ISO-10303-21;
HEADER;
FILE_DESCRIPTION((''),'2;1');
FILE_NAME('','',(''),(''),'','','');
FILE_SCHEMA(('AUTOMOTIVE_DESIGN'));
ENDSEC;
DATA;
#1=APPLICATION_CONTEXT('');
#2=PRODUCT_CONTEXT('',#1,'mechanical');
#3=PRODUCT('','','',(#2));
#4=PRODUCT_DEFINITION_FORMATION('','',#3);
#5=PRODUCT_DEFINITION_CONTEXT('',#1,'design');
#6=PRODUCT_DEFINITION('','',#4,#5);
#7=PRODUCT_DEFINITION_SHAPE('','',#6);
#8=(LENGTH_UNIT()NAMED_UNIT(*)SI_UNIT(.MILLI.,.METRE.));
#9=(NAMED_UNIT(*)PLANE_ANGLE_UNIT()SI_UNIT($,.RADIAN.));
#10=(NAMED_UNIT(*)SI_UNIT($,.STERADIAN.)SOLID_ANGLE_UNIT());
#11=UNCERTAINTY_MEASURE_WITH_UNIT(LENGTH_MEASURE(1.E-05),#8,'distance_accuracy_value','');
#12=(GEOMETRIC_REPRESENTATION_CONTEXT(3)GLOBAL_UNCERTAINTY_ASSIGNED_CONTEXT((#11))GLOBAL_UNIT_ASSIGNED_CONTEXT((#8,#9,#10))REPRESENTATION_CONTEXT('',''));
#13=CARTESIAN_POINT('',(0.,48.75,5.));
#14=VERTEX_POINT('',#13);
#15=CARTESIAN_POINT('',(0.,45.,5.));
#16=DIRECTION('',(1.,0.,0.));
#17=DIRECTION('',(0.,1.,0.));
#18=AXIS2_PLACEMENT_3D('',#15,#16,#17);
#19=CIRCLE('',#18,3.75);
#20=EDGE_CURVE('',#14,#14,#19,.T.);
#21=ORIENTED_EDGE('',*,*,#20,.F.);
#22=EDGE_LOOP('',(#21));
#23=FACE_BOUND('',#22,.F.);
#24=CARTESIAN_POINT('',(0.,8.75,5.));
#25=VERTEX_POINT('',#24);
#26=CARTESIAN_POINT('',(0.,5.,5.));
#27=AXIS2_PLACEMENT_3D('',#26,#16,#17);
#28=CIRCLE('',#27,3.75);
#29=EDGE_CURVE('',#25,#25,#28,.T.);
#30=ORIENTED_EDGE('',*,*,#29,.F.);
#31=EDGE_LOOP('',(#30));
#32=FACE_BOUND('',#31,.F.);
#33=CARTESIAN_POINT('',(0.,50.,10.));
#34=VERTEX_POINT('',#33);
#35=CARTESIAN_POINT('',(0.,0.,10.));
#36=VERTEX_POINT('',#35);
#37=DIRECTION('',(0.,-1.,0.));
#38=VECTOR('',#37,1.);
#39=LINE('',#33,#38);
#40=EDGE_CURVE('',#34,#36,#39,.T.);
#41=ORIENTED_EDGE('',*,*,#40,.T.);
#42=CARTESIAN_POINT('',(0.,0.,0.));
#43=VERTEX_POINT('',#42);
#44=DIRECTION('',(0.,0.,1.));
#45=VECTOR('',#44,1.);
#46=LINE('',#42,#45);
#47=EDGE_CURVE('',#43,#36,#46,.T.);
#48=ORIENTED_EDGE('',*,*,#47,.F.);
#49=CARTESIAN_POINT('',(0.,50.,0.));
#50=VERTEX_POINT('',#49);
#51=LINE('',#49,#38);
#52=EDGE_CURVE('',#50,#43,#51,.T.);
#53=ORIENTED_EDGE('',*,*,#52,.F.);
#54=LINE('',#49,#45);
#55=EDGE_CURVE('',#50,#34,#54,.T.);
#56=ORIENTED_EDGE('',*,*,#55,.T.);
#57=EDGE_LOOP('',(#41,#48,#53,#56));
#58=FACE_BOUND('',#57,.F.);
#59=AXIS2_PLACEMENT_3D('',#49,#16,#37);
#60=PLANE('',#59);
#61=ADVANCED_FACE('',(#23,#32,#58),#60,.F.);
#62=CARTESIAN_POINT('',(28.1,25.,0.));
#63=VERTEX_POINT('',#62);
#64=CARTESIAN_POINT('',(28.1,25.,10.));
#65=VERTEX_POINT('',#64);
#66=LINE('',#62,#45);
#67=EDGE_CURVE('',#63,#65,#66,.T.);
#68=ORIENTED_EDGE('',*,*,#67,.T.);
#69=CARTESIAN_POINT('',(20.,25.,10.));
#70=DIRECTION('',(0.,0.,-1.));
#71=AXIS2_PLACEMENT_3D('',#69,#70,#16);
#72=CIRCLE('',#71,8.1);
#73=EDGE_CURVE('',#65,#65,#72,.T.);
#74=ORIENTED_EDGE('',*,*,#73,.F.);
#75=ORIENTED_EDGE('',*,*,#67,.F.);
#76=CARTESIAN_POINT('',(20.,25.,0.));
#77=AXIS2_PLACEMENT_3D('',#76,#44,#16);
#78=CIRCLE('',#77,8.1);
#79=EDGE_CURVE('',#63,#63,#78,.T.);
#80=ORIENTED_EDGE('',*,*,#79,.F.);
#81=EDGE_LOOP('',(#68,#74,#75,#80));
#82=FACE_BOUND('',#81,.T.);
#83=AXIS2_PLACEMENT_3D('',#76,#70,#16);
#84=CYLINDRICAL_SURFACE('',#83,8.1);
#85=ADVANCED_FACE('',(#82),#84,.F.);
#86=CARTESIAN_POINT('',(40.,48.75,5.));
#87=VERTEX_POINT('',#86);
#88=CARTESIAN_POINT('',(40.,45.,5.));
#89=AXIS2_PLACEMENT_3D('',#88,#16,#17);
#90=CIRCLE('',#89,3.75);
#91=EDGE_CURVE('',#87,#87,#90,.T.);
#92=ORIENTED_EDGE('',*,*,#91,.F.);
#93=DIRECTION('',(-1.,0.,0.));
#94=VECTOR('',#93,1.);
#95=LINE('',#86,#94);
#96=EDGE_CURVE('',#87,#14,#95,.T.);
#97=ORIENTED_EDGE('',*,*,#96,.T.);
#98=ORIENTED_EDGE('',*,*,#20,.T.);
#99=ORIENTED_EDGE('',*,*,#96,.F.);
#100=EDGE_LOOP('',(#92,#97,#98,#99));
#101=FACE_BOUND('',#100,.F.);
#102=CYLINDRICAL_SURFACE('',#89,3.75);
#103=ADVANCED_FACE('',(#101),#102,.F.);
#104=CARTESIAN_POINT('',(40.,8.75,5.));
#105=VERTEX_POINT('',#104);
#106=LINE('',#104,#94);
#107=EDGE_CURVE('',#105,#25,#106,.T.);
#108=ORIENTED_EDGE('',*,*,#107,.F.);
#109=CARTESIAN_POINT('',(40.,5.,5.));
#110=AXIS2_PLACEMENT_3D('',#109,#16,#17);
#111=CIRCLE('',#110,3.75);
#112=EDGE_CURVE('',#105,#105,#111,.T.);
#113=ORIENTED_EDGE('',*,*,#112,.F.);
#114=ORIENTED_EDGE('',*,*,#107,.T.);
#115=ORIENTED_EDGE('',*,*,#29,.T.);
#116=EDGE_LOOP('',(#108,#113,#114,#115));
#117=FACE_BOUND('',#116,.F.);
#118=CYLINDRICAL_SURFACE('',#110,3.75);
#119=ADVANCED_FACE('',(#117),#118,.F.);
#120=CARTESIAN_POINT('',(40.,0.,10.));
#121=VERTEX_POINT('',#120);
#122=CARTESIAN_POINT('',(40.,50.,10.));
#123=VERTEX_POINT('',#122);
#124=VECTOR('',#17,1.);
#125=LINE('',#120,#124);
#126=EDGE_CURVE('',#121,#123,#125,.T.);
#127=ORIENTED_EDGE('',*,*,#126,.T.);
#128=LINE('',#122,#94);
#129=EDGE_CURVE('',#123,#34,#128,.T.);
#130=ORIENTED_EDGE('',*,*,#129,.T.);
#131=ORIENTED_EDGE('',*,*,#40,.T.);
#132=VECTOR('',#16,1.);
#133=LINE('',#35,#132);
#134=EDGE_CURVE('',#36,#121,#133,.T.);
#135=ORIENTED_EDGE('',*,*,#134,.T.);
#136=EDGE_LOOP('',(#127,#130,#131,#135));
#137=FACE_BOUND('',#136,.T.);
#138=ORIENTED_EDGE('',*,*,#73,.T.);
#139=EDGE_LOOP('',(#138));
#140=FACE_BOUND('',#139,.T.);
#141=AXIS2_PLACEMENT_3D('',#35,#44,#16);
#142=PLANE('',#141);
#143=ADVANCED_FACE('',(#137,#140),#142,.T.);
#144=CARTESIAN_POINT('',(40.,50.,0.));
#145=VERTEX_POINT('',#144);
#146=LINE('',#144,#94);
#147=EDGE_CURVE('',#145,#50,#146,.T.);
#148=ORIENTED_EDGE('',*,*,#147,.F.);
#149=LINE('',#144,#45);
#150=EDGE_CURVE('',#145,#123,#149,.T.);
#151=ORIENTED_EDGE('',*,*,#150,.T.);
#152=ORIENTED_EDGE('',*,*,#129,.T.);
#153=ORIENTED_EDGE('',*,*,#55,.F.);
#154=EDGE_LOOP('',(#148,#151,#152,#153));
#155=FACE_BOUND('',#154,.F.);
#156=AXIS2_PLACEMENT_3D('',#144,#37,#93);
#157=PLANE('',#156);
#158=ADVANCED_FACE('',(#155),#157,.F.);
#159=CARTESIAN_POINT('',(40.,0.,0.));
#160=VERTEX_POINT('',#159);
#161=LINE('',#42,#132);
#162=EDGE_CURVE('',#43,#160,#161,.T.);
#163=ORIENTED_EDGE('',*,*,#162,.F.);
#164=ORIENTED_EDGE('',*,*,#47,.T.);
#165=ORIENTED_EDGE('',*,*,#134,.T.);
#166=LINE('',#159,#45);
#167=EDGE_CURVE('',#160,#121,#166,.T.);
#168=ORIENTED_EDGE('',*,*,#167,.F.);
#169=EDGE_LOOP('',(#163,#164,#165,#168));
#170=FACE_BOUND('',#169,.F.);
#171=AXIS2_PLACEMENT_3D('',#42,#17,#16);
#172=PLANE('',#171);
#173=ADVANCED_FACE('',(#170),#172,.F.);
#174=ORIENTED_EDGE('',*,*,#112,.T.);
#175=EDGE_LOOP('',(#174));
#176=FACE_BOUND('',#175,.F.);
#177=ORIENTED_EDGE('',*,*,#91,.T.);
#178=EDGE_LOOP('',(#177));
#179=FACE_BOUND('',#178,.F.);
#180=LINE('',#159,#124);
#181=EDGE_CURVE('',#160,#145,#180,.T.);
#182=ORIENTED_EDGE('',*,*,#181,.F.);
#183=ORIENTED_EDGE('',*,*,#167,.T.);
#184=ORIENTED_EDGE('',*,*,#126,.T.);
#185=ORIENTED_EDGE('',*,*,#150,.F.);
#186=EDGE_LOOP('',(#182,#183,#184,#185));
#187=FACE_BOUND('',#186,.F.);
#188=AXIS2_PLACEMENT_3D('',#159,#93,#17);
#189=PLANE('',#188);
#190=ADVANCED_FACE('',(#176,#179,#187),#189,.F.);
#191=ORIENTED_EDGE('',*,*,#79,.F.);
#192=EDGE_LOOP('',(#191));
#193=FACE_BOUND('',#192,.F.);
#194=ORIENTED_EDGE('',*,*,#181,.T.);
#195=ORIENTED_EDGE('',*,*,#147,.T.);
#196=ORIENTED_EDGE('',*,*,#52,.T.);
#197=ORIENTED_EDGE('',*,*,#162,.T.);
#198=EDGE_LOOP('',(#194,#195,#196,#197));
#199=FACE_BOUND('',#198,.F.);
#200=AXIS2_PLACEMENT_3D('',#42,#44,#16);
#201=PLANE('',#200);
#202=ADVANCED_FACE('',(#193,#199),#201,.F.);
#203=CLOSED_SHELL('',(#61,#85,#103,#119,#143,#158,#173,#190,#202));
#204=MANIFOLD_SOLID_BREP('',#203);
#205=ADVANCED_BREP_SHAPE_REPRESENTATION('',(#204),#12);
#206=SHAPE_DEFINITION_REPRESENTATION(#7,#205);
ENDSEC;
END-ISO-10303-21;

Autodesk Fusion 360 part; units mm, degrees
sketch "Top" plane through (0, 0, 0) normal (0, 0, 1) x (1, 0, 0)
  line L0 (0, 0) -> (40, 0)
  line L1 (40, 0) -> (40, 50)
  line L2 (40, 50) -> (0, 50)
  line L3 (0, 50) -> (0, 0)
  circle A0 centre (20, 25) radius 8.1
  dimension "d6" = 40
  dimension "d7" = 50
  dimension "d11" = 16.2
  dimension "d12" = 25
  dimension "d13" = 20
extrude "Extrude1" add sketch "Top" along normal blind 10 contours L0 L1 L2 L3 | A0
extrude "Extrude2" cut sketch "Top" along normal blind 20 contours A0
sketch "Sketch2" plane through (40, 0, 0) normal (1, 0, 0) x (0, 1, 0)
  line L0 (0, 0) -> (50, 0)
  line L1 (50, 0) -> (50, 10)
  line L2 (50, 10) -> (0, 10)
  line L3 (0, 10) -> (0, 0)
  circle A0 centre (5, 5) radius 3.75
  circle A1 centre (45, 5) radius 3.75
  dimension "d16" = 7.5
  dimension "d17" = 7.5
  dimension "d18" = 5
  dimension "d19" = 5
  dimension "d20" = 5
  dimension "d21" = 5
extrude "Extrude3" cut sketch "Sketch2" against normal blind 50 contours A0
extrude "Extrude4" cut sketch "Sketch2" against normal blind 50 contours A1
equation "length = 50 mm"
equation "width = 40 mm"
equation "thickness = 10 mm"
equation "extra = 10 mm"
equation "fit_gap = 0.2 mm"
equation "d6 = width"
equation "d7 = length"
equation "d8 = thickness"
equation "bearing_8155_outer_radius = 8 mm"
equation "d11 = ( bearing_8155_outer_radius * 2 ) + fit_gap"
equation "d12 = length / 2"
equation "d13 = width / 2"
equation "d14 = thickness + extra"
equation "d16 = 3 * thickness / 4"
equation "d17 = 3 * thickness / 4"
equation "d18 = thickness / 2"
equation "d19 = thickness / 2"
equation "d20 = thickness / 2"
equation "d21 = thickness / 2"
equation "d22 = -( width + extra )"
equation "d24 = -( width + extra )"
